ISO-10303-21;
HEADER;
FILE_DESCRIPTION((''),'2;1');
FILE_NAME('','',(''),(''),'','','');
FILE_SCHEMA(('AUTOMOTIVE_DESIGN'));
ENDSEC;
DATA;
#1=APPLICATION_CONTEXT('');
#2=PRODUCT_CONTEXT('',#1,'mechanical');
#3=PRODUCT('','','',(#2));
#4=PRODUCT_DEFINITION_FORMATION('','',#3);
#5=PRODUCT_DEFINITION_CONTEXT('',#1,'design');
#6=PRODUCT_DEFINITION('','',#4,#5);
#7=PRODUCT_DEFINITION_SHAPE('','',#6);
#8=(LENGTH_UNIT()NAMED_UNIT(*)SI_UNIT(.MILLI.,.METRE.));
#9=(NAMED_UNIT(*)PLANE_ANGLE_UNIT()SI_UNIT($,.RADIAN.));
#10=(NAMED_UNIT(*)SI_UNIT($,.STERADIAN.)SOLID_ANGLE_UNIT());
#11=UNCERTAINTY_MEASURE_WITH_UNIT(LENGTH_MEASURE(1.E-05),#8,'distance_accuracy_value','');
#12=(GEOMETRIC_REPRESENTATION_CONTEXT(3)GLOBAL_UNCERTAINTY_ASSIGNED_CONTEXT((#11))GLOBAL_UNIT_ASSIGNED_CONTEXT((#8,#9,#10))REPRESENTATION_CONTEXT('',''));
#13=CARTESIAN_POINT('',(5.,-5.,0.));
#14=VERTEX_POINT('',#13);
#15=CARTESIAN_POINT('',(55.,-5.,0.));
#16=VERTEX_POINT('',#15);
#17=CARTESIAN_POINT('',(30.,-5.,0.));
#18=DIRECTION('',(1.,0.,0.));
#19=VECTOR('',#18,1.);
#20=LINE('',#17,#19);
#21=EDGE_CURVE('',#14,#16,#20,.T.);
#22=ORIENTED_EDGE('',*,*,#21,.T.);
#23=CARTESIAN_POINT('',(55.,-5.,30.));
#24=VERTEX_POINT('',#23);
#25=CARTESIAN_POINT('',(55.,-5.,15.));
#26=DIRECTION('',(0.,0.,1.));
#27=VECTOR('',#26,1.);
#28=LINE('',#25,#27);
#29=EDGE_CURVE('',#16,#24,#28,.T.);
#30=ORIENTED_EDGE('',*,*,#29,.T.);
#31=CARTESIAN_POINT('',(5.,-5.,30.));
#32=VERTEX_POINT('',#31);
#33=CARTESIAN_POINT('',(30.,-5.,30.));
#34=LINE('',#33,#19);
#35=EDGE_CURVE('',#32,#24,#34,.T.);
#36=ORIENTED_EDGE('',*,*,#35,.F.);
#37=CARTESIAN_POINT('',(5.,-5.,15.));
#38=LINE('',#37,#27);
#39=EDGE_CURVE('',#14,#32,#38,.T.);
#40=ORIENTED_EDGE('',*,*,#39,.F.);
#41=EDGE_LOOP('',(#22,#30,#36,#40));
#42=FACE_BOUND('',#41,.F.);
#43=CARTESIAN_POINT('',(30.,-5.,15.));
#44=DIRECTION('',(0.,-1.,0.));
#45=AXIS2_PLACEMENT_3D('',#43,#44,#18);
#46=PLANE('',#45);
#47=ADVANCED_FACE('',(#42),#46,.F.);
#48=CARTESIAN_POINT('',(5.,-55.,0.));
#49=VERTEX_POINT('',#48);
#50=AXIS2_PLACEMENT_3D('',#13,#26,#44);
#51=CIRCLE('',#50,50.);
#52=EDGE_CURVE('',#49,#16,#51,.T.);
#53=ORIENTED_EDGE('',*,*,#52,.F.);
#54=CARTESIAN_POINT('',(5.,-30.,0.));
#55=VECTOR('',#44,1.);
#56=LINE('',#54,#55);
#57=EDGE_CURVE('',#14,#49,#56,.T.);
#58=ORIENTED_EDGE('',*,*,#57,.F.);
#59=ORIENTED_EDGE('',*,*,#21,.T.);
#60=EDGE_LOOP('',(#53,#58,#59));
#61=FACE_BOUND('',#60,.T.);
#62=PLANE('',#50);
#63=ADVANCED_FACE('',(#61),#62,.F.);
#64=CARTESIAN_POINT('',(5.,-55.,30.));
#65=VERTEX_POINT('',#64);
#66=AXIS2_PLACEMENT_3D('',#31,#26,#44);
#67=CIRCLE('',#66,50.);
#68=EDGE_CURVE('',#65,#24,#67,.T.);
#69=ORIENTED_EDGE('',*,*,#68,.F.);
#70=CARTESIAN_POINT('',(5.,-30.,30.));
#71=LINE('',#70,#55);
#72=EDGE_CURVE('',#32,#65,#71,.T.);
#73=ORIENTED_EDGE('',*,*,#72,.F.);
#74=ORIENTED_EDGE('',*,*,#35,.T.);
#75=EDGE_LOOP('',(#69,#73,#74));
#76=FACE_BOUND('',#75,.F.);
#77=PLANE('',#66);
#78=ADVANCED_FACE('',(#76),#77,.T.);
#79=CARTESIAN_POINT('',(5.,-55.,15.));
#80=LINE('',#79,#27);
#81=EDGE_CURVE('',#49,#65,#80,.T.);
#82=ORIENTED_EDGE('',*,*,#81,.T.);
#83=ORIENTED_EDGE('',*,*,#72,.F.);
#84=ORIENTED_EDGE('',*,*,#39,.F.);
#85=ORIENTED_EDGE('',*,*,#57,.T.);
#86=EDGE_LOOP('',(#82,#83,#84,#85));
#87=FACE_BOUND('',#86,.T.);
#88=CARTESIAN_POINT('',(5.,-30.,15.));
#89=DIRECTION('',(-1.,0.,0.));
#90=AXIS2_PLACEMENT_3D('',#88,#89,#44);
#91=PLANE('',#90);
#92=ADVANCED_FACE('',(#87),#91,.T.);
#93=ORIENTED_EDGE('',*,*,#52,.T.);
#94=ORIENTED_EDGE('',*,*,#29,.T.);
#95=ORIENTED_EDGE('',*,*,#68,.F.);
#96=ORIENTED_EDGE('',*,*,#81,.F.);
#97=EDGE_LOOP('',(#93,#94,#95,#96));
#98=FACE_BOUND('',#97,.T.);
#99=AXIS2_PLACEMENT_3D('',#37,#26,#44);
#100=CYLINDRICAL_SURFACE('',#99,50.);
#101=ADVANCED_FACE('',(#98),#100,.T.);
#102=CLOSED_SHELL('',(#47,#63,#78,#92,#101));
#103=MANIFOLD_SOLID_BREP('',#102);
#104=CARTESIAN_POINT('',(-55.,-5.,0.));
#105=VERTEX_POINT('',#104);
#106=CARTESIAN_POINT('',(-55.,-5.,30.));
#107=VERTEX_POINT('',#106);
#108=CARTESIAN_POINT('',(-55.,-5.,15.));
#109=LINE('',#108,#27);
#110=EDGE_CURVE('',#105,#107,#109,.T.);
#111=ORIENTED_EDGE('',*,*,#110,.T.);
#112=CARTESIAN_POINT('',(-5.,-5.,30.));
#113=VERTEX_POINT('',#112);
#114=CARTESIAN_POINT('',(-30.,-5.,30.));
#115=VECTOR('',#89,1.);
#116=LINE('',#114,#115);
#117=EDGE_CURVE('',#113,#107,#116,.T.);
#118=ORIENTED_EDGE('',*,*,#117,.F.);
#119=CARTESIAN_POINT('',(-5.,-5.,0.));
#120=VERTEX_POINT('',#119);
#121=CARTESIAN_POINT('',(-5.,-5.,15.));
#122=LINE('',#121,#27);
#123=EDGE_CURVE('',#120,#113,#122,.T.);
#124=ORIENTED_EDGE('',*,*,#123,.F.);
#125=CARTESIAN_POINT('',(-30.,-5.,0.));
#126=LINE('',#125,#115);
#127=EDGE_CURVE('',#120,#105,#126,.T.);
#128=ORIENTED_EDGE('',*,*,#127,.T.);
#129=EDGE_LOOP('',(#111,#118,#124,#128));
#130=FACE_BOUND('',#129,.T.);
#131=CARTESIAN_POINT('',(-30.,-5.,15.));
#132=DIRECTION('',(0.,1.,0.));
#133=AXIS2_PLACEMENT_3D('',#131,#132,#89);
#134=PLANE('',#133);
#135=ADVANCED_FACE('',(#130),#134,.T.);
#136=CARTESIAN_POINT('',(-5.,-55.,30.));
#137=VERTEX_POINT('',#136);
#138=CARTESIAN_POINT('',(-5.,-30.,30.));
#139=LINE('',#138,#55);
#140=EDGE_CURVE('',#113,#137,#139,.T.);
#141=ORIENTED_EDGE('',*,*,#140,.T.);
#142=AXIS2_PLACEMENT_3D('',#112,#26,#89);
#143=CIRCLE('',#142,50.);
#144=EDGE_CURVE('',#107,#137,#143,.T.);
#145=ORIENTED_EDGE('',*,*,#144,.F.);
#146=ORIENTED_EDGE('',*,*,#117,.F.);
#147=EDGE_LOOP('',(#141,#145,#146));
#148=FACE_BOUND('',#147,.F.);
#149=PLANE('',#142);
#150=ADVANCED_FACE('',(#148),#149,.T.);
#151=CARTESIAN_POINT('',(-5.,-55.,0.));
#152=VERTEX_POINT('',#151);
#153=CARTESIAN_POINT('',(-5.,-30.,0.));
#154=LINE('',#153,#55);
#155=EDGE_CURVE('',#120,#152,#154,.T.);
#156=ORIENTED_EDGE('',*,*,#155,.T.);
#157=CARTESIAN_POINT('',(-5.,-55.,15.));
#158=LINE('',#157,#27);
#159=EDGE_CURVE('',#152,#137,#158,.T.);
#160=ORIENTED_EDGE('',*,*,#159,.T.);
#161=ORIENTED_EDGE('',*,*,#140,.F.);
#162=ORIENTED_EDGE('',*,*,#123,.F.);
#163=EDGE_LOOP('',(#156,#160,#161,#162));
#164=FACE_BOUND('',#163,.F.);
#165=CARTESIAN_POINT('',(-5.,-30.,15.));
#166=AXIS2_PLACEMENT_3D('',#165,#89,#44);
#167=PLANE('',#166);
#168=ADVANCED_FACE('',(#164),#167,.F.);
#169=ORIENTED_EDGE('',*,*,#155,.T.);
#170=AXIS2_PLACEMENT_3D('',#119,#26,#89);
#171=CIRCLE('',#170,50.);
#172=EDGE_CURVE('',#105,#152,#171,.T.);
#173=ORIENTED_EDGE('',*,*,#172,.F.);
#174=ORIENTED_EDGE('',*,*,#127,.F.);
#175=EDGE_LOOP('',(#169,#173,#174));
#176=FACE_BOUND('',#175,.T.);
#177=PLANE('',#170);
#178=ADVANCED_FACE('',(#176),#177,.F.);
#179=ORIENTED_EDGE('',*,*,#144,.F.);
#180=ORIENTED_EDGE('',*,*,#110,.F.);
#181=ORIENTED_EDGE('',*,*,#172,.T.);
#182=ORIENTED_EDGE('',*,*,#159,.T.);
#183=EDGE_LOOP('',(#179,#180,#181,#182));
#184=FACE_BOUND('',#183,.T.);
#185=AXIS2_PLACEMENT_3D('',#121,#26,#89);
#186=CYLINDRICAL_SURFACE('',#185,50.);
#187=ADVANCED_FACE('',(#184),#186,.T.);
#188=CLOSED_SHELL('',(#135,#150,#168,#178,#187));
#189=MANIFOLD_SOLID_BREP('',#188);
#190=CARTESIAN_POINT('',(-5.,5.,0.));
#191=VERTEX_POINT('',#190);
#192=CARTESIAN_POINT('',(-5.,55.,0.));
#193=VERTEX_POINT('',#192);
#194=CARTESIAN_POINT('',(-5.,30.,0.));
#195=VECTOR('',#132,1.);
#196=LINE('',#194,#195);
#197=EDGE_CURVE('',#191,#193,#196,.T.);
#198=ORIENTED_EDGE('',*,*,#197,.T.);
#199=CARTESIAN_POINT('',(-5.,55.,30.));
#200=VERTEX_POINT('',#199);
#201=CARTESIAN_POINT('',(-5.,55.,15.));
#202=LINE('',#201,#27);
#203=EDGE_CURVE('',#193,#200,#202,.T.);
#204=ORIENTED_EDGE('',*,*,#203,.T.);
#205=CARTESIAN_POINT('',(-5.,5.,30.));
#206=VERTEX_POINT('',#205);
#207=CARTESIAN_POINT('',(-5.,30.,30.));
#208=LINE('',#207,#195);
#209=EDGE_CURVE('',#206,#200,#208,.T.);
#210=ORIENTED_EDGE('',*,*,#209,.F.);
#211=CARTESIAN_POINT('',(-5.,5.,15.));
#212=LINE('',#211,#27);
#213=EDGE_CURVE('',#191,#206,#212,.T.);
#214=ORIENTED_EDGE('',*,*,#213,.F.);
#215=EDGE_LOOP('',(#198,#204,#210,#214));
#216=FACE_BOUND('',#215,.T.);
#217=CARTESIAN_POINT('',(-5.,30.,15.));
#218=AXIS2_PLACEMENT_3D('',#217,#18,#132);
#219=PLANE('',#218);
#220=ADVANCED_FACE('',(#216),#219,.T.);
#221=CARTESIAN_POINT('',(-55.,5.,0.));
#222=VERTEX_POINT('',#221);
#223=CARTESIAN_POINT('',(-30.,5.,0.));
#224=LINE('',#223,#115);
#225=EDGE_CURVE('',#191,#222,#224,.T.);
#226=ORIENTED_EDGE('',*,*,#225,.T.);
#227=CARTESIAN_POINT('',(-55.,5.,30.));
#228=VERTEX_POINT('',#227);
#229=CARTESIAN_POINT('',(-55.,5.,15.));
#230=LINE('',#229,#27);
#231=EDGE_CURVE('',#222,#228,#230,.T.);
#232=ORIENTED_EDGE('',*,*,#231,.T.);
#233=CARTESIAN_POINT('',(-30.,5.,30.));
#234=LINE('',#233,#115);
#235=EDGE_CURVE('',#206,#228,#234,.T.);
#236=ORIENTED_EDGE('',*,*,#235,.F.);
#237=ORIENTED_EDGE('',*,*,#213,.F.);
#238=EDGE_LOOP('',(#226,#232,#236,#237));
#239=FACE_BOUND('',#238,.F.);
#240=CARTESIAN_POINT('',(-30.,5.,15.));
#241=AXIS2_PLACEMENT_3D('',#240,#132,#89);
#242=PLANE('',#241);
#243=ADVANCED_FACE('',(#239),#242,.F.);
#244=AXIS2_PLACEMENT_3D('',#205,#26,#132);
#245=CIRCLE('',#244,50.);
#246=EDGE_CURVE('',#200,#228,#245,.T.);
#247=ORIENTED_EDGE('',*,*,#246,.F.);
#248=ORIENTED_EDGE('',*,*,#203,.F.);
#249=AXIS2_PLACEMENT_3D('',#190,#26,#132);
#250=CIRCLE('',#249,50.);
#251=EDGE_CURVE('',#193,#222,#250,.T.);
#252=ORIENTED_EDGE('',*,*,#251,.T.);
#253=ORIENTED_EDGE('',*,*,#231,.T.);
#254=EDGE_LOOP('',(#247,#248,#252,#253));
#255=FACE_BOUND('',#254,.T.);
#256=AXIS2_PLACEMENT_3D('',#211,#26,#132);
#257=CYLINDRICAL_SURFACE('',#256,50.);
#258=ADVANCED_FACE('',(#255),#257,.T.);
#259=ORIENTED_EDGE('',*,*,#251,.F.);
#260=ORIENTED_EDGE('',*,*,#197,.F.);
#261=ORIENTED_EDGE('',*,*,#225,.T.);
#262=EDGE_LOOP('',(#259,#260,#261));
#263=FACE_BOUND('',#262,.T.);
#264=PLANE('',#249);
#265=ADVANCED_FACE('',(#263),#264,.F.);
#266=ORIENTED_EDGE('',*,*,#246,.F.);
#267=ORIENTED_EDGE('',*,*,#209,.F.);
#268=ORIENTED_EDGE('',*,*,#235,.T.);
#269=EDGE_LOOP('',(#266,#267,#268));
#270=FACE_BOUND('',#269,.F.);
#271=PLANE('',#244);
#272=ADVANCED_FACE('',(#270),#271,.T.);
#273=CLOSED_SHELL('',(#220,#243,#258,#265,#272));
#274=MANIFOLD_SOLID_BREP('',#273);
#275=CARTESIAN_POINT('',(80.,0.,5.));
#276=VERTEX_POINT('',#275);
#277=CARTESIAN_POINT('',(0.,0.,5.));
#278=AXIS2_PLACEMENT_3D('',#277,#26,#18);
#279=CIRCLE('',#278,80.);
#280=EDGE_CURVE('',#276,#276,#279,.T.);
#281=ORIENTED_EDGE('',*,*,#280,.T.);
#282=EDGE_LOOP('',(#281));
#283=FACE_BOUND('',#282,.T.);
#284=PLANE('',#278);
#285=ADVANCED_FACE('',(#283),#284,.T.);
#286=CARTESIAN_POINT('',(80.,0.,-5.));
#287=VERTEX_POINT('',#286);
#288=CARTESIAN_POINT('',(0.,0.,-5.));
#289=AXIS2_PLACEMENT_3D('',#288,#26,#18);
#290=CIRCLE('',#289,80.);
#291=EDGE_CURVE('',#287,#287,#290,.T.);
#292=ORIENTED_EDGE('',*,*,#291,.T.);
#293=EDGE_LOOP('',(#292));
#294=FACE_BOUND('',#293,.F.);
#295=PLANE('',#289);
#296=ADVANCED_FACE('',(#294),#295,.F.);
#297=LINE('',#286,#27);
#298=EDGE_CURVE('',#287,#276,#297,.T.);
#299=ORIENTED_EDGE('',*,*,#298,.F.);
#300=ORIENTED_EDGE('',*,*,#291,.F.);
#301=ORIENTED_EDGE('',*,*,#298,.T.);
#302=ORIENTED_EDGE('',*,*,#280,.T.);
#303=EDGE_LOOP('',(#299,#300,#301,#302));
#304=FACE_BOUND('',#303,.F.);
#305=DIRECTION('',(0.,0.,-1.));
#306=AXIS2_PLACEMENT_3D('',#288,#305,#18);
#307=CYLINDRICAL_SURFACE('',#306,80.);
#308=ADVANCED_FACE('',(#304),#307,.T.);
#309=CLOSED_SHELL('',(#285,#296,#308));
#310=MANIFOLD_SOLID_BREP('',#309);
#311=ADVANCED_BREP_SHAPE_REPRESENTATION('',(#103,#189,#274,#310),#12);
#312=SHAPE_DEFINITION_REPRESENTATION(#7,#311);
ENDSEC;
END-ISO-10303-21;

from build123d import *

# Parameters (mm, degrees)
CYLINDER_R        = 80
CYLINDER_DEPTH    = 10
CYLINDER001_W     = 50
CYLINDER001_H     = 30
CYLINDER001_ANGLE = 90
CYLINDER002_W     = 50
CYLINDER002_H     = 30
CYLINDER002_ANGLE = 90
CYLINDER003_W     = 50
CYLINDER003_H     = 30
CYLINDER003_ANGLE = 90


with BuildPart() as plato:
    # Cylinder → Cylinder (new body)
    with BuildSketch(Plane.XY.offset(-5)):
        Circle(CYLINDER_R)
    extrude(amount=CYLINDER_DEPTH)


with BuildPart() as trozo1:
    # Cylinder001 → Cylinder001 (revolve)
    with BuildSketch(Plane(origin=(-5, 5, 0), x_dir=(0, 1, 0), z_dir=(1, 0, 0))):
        with Locations((25, 15)):
            Rectangle(CYLINDER001_W, CYLINDER001_H)
    revolve(axis=Axis((-5, 5, 0), (0, 0, 1)), revolution_arc=CYLINDER001_ANGLE)


with BuildPart() as trozo2:
    # Cylinder002 → Cylinder002 (revolve)
    with BuildSketch(Plane(origin=(-5, -5, 0), x_dir=(-1, 0, 0), z_dir=(0, 1, 0))):
        with Locations((25, 15)):
            Rectangle(CYLINDER002_W, CYLINDER002_H)
    revolve(axis=Axis((-5, -5, 0), (0, 0, 1)), revolution_arc=CYLINDER002_ANGLE)


with BuildPart() as trozo3:
    # Cylinder003 → Cylinder003 (revolve)
    with BuildSketch(Plane(origin=(5, -5, 0), x_dir=(0, -1, 0), z_dir=(-1, 0, 0))):
        with Locations((25, 15)):
            Rectangle(CYLINDER003_W, CYLINDER003_H)
    revolve(axis=Axis((5, -5, 0), (0, 0, 1)), revolution_arc=CYLINDER003_ANGLE)


solid = Compound([plato.part, trozo1.part, trozo2.part, trozo3.part])
